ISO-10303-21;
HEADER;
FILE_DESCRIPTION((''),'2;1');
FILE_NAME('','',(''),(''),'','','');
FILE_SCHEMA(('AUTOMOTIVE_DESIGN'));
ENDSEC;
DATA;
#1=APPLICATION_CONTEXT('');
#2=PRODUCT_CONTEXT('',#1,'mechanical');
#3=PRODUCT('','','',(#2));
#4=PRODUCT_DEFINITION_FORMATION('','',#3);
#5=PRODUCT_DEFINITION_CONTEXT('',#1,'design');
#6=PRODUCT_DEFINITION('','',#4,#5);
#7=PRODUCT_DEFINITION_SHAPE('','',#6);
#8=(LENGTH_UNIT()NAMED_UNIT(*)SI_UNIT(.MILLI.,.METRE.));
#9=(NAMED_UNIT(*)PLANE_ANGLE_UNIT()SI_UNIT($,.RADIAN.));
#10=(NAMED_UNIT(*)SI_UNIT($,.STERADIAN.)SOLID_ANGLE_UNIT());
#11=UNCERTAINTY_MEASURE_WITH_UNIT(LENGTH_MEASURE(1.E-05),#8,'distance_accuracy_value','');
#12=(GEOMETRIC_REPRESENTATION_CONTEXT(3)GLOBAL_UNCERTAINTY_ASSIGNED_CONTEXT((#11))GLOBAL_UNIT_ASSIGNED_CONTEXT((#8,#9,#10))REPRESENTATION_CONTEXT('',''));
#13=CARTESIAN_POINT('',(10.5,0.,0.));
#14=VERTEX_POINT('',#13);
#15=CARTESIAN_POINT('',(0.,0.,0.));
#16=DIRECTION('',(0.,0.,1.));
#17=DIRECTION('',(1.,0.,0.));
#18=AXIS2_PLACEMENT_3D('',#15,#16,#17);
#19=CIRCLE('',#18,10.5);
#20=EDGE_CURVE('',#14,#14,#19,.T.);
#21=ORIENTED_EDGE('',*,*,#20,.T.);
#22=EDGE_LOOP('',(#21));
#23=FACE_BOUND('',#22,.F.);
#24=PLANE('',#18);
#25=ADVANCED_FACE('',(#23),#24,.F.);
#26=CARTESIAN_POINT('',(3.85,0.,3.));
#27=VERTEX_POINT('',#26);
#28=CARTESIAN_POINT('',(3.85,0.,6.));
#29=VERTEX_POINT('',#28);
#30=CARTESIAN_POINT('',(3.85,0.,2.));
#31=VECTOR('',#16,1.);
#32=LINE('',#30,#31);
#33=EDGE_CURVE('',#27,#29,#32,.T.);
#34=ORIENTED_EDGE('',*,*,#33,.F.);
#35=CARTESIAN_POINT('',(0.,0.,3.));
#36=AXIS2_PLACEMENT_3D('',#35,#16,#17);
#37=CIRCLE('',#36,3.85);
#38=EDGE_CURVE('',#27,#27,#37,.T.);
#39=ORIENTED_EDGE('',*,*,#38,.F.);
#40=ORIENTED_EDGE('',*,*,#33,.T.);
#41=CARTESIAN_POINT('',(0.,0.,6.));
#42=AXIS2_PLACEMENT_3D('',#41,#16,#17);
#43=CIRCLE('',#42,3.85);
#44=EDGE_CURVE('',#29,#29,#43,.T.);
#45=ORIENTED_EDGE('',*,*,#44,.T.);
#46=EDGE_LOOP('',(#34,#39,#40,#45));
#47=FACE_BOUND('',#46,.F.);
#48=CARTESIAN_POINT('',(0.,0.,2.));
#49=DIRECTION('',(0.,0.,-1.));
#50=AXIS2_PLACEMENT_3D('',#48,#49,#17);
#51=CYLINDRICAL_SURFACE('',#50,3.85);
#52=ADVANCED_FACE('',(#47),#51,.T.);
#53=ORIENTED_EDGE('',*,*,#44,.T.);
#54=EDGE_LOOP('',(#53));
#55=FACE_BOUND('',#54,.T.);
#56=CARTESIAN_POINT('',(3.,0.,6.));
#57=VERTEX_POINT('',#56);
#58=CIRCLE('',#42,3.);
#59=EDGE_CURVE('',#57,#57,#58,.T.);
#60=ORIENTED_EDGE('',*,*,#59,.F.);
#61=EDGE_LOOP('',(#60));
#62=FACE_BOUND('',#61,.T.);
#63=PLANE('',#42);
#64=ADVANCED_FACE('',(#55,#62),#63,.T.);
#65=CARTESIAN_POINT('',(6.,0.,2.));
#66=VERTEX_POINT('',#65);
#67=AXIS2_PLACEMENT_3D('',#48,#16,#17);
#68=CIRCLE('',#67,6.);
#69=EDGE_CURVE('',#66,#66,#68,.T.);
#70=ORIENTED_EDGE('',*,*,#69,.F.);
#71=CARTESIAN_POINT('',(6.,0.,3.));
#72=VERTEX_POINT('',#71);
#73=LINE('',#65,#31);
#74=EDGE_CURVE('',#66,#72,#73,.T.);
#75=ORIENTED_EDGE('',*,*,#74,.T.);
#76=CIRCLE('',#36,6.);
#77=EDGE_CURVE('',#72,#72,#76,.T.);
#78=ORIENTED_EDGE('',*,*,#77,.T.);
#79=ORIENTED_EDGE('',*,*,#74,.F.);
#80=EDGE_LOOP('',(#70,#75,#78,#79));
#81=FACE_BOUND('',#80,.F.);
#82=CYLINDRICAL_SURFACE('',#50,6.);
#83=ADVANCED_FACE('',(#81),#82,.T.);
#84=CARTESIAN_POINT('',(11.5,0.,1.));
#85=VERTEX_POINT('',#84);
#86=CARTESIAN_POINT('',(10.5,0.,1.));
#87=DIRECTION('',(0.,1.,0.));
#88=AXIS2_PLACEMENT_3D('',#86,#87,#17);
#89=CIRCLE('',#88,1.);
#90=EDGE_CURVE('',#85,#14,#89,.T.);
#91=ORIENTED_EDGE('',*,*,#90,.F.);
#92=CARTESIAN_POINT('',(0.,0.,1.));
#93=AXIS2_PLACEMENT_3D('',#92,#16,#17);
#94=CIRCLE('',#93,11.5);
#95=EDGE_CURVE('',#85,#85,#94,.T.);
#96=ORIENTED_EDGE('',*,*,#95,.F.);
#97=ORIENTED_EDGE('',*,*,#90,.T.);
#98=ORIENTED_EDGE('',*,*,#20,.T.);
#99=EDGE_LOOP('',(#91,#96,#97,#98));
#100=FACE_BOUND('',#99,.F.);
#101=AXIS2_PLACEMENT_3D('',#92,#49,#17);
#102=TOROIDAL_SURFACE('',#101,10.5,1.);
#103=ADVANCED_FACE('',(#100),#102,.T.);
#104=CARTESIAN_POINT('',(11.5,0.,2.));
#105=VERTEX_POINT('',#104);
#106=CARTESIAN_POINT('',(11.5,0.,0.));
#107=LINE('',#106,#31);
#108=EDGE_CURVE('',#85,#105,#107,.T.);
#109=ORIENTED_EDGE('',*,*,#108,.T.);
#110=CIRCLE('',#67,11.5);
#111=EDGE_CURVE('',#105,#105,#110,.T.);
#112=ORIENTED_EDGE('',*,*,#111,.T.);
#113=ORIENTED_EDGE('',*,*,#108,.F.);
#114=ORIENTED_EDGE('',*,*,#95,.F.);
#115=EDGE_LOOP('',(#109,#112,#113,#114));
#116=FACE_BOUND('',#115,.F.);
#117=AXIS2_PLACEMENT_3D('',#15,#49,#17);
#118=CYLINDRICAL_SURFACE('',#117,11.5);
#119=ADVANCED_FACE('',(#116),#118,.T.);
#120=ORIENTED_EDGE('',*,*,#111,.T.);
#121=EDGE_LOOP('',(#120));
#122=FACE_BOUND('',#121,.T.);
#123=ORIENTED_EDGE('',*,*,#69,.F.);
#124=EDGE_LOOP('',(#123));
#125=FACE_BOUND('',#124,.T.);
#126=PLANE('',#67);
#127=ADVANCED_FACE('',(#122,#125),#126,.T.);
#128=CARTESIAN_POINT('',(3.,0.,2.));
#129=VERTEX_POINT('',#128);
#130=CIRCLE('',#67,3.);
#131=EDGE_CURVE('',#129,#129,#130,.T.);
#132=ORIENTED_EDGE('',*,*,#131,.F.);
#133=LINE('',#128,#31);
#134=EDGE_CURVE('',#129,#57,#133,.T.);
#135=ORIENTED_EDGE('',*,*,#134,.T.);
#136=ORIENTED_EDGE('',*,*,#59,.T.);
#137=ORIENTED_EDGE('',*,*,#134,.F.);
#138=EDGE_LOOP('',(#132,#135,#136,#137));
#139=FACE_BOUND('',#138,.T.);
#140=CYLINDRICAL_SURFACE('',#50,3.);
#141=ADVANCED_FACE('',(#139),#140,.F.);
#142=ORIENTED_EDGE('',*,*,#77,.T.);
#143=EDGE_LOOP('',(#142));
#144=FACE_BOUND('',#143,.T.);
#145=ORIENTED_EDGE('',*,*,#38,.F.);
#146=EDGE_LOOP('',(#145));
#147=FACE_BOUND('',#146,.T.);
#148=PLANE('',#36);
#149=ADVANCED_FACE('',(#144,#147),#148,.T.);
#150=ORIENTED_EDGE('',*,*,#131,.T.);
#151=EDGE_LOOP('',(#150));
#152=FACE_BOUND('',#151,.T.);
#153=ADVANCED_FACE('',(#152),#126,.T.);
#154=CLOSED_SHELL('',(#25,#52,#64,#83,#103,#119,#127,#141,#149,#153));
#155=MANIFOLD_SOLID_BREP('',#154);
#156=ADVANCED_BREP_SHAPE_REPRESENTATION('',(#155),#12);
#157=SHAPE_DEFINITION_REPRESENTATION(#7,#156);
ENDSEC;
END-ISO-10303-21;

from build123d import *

# Parameters (mm, degrees)
F0_R     = 11.5
F1_DEPTH = 2
F2_R     = 1
F3_R     = 3.85
F3_R_2   = 3
F4_DEPTH = 4
F3_R_3   = 6
F5_DEPTH = 1


with BuildPart() as f1:
    # F0 (on Top) → F1 (new body)
    with BuildSketch(Plane.XY):
        Circle(F0_R)
    extrude(amount=F1_DEPTH)

    # F2
    f2_edges = [f1.edges().sort_by_distance(p)[0] for p in [
        (-11.5, 0, 0),
    ]]
    fillet(f2_edges, radius=F2_R)

    # F3 (on face) → F4 (join)
    with BuildSketch(Plane.XY.offset(2)):
        Circle(F3_R)
        Circle(F3_R_2, mode=Mode.SUBTRACT)
    extrude(amount=F4_DEPTH)

    # F3 (on face) → F5 (join)
    with BuildSketch(Plane.XY.offset(2)):
        Circle(F3_R_3)
        Circle(F3_R, mode=Mode.SUBTRACT)
    extrude(amount=F5_DEPTH)


solid = f1.part
